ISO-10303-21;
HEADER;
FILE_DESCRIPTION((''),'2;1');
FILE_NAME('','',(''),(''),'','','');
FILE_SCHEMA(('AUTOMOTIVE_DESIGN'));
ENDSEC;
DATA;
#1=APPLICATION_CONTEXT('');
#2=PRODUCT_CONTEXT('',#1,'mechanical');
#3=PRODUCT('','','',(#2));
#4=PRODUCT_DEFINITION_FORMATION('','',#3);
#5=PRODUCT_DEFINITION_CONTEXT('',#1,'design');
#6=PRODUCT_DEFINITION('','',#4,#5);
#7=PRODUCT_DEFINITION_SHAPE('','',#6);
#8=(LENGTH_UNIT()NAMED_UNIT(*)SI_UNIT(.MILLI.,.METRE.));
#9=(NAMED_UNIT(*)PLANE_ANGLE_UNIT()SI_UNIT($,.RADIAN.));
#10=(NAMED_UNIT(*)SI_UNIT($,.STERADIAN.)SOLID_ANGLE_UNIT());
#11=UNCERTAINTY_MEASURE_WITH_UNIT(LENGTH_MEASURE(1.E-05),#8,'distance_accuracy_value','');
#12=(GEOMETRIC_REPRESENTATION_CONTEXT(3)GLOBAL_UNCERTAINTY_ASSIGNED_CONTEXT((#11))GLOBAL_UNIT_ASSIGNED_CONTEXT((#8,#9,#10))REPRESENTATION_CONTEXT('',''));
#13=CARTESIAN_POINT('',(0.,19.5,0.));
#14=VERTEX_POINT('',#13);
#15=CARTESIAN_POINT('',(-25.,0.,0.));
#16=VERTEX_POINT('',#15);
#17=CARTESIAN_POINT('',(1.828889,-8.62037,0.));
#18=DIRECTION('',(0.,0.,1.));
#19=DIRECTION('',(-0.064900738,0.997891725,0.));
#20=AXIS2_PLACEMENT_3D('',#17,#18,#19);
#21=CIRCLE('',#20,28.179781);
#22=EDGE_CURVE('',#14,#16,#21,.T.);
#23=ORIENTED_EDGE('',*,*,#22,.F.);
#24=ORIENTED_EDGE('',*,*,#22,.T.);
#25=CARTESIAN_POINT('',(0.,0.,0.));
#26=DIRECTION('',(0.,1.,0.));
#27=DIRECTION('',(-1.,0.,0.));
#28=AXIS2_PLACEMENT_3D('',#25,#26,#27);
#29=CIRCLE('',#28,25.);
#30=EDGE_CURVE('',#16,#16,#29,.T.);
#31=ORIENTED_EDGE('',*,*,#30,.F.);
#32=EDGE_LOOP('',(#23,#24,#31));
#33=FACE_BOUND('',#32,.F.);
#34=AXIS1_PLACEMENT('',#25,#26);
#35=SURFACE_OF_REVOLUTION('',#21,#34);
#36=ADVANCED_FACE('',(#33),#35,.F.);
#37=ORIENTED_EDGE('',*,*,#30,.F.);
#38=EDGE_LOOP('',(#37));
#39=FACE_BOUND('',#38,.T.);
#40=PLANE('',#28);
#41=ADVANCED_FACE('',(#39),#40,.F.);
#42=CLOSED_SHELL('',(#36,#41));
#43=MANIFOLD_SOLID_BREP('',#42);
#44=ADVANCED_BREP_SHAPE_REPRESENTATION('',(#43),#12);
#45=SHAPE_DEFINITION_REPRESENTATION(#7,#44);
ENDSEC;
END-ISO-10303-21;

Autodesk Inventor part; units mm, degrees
ref_plane "YZ Plane" through (0, 0, 0) normal (1, 0, 0) x (0, 1, 0)
ref_plane "XZ Plane" through (0, 0, 0) normal (0, 1, 0) x (-1, 0, 0)
ref_plane "XY Plane" through (0, 0, 0) normal (0, 0, 1) x (1, 0, 0)
sketch "Sketch1" plane through (0, 0, 0) normal (0, 0, 1) x (1, 0, 0)
  line L0 (0, 0) -> (0, 19.5)
  line L1 (0, 0) -> (-25, 0)
  arc A0 (0, 19.5) -> (-25, 0) centre (1.8289, -8.6204) ccw
  dimension "d0" = 25
  dimension "d1" = 19.5
revolve "Revolution1" add sketch "Sketch1" angle 360 about axis through (0, 0, 0) along (0, 1, 0)
properties part number "Comar39AF50" material "Glass"
